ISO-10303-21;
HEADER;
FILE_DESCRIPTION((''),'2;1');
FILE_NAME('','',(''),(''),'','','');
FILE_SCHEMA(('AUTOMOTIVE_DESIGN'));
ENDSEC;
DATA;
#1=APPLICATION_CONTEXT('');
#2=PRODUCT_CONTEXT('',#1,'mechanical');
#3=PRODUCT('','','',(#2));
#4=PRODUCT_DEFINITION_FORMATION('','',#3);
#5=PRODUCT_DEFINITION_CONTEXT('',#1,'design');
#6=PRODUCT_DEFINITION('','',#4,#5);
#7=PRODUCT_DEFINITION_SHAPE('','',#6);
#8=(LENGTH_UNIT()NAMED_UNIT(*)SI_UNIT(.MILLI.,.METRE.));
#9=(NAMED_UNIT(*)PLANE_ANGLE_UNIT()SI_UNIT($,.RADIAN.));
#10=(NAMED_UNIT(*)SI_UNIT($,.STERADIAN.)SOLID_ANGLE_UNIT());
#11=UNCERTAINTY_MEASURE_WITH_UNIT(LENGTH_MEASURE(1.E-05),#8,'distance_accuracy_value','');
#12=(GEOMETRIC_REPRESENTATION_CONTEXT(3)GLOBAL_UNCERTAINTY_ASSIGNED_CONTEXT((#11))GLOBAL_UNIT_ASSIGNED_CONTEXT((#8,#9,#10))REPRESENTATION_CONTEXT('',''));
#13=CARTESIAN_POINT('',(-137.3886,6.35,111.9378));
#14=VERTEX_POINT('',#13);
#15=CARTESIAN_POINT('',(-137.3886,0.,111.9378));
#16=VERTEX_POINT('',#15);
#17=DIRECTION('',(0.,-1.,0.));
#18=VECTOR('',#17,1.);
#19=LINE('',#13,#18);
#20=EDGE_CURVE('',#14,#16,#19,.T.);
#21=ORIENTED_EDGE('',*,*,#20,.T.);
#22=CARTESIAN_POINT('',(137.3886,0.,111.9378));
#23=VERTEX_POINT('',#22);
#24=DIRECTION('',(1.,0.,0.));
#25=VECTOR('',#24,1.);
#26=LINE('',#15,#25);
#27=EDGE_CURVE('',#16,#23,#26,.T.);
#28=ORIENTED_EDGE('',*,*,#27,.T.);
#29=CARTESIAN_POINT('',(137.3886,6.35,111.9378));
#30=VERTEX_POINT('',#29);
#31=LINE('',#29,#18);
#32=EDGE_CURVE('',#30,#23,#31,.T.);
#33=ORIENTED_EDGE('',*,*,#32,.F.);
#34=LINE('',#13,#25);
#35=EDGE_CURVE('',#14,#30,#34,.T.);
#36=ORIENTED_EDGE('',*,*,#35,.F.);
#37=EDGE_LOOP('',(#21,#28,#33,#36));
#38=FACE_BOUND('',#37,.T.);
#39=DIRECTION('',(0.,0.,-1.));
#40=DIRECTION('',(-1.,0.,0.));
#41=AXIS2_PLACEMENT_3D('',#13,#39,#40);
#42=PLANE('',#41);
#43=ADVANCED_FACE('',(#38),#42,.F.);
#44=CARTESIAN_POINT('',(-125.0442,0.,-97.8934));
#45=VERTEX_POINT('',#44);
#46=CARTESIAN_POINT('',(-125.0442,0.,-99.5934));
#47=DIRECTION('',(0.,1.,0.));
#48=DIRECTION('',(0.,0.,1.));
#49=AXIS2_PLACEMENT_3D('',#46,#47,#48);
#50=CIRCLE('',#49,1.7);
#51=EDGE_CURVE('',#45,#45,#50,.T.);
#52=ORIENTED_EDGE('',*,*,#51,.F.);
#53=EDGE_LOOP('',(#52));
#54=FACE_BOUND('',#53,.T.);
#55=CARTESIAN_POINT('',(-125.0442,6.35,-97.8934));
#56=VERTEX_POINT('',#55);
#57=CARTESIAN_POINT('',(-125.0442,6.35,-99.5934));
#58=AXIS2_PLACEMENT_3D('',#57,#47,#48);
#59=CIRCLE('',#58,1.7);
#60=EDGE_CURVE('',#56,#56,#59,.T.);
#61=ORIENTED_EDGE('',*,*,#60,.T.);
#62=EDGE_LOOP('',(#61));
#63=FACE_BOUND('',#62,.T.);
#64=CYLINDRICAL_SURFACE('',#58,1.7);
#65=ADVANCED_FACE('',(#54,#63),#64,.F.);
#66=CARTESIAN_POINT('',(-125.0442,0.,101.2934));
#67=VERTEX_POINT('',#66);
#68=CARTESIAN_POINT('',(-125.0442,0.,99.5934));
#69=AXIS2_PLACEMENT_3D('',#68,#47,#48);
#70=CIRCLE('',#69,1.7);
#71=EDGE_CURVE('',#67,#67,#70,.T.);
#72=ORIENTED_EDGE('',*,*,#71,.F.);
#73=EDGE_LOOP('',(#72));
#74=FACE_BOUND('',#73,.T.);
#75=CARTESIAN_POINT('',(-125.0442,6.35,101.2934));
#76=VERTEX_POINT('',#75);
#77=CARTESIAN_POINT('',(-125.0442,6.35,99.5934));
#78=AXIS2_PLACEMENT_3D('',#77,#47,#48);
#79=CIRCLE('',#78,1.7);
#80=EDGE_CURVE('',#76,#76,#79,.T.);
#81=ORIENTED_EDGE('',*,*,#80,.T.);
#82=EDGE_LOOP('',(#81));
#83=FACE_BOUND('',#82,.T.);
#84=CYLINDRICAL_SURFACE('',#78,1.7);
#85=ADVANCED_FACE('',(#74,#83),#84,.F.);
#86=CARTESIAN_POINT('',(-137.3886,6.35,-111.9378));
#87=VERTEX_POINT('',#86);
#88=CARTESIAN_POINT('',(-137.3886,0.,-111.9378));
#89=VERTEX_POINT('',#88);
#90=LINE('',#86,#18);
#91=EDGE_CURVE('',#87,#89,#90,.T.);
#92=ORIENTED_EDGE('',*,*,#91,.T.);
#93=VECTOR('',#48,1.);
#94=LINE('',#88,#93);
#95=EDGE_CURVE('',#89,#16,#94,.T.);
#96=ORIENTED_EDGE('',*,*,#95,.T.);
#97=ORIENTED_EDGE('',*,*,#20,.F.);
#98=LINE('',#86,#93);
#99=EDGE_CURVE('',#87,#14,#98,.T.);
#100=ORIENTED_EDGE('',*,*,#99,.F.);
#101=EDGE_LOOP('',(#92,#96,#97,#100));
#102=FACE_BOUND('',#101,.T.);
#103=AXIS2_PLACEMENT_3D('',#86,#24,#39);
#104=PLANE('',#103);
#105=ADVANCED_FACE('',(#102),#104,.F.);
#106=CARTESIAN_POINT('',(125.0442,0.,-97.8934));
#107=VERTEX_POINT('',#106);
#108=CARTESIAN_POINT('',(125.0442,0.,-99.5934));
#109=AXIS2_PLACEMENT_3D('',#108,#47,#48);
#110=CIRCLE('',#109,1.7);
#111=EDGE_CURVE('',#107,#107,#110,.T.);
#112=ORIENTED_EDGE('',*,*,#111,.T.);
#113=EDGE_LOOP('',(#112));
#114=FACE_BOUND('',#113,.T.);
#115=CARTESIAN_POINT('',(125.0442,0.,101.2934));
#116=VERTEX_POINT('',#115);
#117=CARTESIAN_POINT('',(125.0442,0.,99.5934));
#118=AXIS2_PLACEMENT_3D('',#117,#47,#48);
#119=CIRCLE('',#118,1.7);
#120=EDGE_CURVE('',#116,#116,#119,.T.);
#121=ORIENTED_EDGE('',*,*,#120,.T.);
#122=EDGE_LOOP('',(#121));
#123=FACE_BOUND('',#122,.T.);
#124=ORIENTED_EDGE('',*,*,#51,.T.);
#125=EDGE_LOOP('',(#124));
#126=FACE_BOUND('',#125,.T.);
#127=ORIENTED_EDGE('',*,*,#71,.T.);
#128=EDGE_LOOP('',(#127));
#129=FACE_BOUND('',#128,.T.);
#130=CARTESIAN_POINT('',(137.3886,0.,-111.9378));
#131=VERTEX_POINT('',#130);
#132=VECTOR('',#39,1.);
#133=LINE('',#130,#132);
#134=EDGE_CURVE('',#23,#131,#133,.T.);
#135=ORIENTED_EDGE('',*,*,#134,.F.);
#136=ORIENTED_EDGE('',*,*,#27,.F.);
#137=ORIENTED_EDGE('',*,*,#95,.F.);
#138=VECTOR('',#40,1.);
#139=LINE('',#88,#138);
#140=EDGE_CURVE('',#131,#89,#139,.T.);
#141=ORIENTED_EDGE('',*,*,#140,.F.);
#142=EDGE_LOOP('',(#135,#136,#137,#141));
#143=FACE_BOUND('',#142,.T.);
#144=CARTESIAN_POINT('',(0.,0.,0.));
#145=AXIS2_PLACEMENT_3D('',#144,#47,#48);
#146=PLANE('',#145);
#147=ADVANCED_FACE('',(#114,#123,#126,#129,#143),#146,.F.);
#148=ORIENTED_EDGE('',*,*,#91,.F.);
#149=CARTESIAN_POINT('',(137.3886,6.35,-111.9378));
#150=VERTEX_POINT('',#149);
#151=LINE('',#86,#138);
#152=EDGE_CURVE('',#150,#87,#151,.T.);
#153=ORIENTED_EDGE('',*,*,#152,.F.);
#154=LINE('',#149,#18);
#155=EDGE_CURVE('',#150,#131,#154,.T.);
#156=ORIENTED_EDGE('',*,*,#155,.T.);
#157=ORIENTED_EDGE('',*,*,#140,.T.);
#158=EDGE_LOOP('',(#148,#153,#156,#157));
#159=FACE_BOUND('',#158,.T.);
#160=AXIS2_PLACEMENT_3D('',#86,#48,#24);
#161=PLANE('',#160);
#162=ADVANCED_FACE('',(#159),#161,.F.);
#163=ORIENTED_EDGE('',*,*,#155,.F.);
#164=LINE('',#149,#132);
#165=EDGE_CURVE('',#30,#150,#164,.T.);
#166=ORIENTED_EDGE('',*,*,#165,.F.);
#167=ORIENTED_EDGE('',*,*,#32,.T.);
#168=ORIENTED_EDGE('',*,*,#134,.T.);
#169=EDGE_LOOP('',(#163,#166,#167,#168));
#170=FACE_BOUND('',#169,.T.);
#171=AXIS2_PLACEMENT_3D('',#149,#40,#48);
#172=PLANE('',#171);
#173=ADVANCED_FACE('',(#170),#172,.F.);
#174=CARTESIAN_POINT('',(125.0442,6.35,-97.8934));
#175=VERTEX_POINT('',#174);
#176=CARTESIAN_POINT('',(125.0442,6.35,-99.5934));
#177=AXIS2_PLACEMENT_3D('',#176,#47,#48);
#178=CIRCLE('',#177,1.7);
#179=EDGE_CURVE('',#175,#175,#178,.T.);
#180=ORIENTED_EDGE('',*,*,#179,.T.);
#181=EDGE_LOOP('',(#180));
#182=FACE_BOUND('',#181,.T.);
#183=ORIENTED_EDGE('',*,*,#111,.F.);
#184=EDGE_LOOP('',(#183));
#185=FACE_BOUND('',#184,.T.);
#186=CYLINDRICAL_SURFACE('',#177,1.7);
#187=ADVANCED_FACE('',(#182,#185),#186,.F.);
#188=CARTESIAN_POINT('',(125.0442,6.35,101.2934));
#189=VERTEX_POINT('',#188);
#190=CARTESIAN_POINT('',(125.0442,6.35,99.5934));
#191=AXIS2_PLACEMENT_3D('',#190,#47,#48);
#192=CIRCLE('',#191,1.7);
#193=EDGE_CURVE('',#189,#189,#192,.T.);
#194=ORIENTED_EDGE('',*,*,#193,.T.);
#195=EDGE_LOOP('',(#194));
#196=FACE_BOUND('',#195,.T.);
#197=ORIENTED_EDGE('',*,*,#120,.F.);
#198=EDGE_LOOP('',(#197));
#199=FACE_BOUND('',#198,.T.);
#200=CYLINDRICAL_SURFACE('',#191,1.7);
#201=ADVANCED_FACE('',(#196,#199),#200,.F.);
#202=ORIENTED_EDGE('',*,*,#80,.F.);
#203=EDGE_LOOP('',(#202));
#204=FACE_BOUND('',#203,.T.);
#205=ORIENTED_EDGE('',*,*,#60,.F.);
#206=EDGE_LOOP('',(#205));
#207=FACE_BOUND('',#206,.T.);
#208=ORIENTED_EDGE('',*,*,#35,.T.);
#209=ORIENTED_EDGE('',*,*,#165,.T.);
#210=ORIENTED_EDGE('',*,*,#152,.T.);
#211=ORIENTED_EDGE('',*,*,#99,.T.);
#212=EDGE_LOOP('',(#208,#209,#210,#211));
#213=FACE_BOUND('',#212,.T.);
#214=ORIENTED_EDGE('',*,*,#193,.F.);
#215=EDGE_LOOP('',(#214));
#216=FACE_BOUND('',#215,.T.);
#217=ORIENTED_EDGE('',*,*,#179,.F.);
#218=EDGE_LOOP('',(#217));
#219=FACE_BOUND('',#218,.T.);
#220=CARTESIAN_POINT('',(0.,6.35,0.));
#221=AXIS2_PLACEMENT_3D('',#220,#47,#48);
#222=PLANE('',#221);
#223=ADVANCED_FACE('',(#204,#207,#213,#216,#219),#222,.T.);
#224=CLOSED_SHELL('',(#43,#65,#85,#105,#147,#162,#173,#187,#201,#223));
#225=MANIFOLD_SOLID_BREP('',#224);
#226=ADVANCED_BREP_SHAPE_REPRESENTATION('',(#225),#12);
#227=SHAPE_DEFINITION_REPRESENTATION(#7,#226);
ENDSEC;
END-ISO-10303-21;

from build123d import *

# Parameters (mm, degrees)
SKETCH1_W            = 274.7772
SKETCH1_H            = 223.8756
BOSS_EXTRUDE1_DEPTH  = 6.35
M3_CLEARANCE_HOLE1_D = 3.4


with BuildPart() as part:
    # Sketch1 → Boss-Extrude1 (new body)
    with BuildSketch(Plane(origin=(0, 0, 0), x_dir=(1, 0, 0), z_dir=(0, 1, 0))):
        Rectangle(SKETCH1_W, SKETCH1_H)
    extrude(amount=BOSS_EXTRUDE1_DEPTH)

    # M3 Clearance Hole1 (through all)
    with Locations(Plane(origin=(0, 6.35, 0), x_dir=(1, 0, 0), z_dir=(0, 1, 0))):
        with Locations((125.0442, -99.5934), (-125.0442, -99.5934), (-125.0442, 99.5934), (125.0442, 99.5934)):
            Hole(M3_CLEARANCE_HOLE1_D / 2)


solid = part.part
